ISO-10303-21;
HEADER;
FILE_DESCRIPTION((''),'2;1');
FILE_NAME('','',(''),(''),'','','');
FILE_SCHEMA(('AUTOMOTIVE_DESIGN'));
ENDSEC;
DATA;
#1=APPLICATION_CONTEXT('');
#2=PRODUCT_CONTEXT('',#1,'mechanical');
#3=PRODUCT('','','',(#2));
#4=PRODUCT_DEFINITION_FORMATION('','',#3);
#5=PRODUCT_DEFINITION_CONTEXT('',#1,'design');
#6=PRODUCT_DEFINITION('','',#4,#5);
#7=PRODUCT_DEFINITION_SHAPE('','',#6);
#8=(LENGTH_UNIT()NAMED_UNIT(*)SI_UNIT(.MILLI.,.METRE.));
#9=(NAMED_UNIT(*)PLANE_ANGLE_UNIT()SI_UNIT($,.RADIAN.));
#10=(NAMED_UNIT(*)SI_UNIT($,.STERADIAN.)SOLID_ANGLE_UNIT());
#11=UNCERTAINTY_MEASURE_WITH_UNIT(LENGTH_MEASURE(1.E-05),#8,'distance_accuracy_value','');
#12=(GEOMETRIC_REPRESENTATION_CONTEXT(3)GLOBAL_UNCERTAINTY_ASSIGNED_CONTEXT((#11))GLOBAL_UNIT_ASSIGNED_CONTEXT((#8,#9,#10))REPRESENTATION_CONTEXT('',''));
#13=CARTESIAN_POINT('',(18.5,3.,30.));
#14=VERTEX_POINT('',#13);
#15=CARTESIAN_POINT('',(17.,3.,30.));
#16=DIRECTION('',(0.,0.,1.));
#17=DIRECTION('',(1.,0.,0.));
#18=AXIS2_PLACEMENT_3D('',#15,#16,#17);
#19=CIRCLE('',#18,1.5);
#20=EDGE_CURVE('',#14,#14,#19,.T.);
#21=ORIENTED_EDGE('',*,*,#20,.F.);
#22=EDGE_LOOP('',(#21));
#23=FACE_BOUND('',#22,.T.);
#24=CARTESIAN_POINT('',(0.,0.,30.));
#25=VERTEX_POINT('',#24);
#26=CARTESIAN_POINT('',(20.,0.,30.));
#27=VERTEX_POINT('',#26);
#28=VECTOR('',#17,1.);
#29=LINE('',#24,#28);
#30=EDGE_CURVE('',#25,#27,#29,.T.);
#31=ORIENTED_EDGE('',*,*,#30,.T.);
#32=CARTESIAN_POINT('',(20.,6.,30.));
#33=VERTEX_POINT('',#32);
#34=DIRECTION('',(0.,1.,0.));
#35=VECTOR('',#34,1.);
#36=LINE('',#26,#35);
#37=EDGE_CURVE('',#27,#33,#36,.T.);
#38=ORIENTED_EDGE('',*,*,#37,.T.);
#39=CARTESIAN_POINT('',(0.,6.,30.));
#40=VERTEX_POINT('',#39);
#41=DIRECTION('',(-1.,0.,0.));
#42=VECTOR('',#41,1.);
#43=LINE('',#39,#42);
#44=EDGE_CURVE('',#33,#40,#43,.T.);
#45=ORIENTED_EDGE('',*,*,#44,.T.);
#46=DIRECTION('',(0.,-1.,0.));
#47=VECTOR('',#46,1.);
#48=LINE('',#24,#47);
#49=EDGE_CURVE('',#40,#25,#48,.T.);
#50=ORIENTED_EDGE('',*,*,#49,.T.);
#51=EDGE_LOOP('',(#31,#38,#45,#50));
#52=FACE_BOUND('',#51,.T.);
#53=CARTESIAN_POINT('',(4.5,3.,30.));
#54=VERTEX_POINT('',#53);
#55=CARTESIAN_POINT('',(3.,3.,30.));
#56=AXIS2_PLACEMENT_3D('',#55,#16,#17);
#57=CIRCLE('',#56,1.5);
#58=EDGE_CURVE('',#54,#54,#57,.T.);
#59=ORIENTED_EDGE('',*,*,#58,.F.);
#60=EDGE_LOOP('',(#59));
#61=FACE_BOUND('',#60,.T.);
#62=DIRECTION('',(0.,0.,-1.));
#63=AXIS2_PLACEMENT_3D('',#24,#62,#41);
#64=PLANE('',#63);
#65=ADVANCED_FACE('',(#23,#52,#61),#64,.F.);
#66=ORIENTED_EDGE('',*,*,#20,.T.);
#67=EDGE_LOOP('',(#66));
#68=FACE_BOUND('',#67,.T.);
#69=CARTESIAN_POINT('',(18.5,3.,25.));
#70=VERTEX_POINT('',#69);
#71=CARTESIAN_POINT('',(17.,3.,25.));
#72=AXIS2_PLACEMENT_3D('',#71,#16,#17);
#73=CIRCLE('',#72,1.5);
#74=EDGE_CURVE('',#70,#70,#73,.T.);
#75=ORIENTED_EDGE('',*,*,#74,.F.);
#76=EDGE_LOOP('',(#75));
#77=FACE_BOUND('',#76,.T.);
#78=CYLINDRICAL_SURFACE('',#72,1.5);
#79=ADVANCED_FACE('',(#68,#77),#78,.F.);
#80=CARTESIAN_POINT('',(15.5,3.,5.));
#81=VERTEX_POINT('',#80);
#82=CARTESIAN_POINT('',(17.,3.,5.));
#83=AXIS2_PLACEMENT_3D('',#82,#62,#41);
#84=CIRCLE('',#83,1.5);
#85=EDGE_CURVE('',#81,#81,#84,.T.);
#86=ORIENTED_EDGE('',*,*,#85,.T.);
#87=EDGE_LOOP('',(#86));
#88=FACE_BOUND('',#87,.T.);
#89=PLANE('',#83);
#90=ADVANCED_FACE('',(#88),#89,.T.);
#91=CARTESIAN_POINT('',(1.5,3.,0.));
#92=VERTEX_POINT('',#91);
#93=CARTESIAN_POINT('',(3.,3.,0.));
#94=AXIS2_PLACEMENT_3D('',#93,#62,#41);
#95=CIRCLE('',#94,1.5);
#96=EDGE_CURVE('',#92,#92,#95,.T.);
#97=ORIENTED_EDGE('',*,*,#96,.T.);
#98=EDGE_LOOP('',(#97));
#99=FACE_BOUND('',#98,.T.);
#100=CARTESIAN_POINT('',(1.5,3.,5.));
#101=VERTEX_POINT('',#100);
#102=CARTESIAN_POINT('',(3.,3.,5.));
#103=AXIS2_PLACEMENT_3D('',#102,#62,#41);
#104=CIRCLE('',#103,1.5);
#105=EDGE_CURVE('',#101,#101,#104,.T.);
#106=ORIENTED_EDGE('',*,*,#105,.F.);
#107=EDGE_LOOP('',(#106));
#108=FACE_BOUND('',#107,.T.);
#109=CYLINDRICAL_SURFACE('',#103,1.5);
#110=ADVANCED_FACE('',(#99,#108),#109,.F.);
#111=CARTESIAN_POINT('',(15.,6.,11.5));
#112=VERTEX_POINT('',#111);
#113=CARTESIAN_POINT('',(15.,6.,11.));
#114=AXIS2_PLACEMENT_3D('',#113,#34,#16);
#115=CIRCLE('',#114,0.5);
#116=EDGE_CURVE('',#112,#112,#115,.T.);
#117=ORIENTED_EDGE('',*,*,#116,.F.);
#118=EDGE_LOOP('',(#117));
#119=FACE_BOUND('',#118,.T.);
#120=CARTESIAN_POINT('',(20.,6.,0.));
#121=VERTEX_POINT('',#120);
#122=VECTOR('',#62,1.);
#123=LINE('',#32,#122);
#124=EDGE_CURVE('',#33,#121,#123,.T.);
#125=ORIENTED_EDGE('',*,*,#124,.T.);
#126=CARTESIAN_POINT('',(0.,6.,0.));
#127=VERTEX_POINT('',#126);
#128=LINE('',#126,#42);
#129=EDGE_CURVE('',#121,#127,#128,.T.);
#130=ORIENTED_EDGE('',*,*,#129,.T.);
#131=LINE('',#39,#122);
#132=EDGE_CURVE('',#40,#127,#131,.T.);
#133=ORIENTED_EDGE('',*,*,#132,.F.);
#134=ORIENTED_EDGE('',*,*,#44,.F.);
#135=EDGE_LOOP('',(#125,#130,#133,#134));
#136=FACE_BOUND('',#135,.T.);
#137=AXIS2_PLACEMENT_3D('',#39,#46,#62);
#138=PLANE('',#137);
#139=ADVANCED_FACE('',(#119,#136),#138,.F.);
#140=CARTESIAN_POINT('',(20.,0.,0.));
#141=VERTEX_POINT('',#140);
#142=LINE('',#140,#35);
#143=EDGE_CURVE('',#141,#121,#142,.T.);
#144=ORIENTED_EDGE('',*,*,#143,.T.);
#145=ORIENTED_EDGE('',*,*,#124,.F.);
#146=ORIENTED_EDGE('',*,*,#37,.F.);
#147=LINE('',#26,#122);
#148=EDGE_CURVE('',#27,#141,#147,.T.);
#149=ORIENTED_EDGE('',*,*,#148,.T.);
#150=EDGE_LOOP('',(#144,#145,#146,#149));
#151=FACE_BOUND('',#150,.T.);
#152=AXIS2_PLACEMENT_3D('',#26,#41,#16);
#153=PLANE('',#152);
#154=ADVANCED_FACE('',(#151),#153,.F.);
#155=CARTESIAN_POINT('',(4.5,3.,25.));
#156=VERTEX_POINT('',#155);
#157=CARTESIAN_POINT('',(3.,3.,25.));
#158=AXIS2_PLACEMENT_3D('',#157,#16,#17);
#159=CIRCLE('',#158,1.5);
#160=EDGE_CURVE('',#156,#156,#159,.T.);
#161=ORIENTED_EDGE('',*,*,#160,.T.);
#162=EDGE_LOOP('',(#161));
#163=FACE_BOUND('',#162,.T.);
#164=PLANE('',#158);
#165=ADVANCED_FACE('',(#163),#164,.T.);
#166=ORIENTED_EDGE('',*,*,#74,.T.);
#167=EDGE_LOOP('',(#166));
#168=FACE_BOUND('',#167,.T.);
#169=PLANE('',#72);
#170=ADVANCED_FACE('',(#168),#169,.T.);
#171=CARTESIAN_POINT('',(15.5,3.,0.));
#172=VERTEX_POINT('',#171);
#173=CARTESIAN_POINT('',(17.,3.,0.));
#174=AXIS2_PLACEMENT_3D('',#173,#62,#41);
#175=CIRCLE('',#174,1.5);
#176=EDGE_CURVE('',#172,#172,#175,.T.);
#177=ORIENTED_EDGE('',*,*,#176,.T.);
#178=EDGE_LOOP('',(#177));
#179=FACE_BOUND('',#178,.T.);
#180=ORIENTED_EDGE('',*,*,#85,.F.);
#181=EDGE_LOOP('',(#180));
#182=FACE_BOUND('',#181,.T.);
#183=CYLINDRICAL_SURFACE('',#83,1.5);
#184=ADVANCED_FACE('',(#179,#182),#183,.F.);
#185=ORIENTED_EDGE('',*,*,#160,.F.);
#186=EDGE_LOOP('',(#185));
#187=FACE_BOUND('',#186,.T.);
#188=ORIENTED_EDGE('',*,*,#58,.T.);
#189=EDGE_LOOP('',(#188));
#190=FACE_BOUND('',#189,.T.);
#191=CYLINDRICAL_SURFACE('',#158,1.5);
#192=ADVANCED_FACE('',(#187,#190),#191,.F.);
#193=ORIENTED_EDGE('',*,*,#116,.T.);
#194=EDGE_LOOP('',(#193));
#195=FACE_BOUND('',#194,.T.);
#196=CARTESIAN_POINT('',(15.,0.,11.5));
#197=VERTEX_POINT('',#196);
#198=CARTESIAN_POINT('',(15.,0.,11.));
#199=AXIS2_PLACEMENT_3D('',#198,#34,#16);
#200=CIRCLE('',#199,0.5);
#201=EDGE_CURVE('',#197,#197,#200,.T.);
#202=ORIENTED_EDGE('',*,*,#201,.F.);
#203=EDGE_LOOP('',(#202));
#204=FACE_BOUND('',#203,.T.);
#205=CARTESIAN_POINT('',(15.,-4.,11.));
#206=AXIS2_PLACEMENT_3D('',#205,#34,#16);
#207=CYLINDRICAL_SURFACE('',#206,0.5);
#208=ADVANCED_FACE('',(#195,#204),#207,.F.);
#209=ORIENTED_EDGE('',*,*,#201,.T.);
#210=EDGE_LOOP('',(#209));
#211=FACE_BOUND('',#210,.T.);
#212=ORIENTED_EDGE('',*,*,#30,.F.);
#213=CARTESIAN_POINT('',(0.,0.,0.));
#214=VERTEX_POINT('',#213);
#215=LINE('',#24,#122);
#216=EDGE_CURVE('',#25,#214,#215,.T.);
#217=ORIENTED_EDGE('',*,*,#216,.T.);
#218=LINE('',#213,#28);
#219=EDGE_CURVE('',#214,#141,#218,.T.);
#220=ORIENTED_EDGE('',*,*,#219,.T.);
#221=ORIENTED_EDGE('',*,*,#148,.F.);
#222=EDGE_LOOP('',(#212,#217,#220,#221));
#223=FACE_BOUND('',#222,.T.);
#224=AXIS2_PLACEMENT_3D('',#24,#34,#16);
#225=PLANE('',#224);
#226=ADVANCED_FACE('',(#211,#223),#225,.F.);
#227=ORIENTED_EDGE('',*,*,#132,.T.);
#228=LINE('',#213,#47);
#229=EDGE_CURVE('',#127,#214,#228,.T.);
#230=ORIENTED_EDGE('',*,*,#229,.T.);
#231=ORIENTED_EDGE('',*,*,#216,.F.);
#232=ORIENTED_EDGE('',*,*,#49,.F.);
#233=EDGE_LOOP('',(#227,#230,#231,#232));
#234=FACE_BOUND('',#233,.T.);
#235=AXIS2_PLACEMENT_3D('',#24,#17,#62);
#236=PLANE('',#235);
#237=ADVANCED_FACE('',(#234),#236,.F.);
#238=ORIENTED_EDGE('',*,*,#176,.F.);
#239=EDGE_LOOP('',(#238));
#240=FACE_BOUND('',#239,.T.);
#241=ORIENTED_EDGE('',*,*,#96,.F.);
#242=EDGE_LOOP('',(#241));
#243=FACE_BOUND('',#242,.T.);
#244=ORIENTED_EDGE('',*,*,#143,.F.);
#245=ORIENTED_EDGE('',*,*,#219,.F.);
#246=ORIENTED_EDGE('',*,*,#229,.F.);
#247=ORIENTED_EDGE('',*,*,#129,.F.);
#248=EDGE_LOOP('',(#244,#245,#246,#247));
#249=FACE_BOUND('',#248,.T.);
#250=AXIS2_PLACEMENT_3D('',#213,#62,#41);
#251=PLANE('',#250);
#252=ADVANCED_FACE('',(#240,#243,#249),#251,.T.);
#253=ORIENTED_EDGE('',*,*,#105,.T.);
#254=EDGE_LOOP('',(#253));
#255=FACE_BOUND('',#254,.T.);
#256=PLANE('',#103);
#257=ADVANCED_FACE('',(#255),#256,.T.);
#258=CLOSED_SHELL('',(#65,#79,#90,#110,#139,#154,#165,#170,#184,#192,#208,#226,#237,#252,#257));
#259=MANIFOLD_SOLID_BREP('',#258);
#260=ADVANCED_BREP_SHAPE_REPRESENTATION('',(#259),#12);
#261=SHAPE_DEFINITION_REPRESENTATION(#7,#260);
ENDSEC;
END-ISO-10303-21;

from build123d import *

# Parameters (mm, degrees)
CROQUIS1_W              = 20
CROQUIS1_H              = 6
SALIENTE_EXTRUIR1_DEPTH = 30
CROQUIS2_R              = 1.5
CORTAR_EXTRUIR1_DEPTH   = 5
CROQUIS3_R              = 1.5
CORTAR_EXTRUIR3_DEPTH   = 5
CROQUIS4_R              = 0.5
CORTAR_EXTRUIR4_DEPTH   = 10


with BuildPart() as part:
    # Croquis1 → Saliente-Extruir1 (new body)
    with BuildSketch(Plane.XY):
        with Locations((10, 3)):
            Rectangle(CROQUIS1_W, CROQUIS1_H)
    extrude(amount=SALIENTE_EXTRUIR1_DEPTH)

    # Croquis2 → Cortar-Extruir1 (cut)
    with BuildSketch(Plane.XY.offset(30)):
        with Locations((3, 3)):
            Circle(CROQUIS2_R)
        with Locations((17, 3)):
            Circle(CROQUIS2_R)
    extrude(amount=-CORTAR_EXTRUIR1_DEPTH, mode=Mode.SUBTRACT)

    # Croquis3 → Cortar-Extruir3 (cut)
    with BuildSketch(Plane(origin=(0, 0, 0), x_dir=(-1, 0, 0), z_dir=(0, 0, -1))):
        with Locations((-17, 3)):
            Circle(CROQUIS3_R)
        with Locations((-3, 3)):
            Circle(CROQUIS3_R)
    extrude(amount=-CORTAR_EXTRUIR3_DEPTH, mode=Mode.SUBTRACT)

    # Croquis4 → Cortar-Extruir4 (cut)
    with BuildSketch(Plane(origin=(0, 6, 0), x_dir=(1, 0, 0), z_dir=(0, 1, 0))):
        with Locations((15, -11)):
            Circle(CROQUIS4_R)
    extrude(amount=-CORTAR_EXTRUIR4_DEPTH, mode=Mode.SUBTRACT)


solid = part.part
